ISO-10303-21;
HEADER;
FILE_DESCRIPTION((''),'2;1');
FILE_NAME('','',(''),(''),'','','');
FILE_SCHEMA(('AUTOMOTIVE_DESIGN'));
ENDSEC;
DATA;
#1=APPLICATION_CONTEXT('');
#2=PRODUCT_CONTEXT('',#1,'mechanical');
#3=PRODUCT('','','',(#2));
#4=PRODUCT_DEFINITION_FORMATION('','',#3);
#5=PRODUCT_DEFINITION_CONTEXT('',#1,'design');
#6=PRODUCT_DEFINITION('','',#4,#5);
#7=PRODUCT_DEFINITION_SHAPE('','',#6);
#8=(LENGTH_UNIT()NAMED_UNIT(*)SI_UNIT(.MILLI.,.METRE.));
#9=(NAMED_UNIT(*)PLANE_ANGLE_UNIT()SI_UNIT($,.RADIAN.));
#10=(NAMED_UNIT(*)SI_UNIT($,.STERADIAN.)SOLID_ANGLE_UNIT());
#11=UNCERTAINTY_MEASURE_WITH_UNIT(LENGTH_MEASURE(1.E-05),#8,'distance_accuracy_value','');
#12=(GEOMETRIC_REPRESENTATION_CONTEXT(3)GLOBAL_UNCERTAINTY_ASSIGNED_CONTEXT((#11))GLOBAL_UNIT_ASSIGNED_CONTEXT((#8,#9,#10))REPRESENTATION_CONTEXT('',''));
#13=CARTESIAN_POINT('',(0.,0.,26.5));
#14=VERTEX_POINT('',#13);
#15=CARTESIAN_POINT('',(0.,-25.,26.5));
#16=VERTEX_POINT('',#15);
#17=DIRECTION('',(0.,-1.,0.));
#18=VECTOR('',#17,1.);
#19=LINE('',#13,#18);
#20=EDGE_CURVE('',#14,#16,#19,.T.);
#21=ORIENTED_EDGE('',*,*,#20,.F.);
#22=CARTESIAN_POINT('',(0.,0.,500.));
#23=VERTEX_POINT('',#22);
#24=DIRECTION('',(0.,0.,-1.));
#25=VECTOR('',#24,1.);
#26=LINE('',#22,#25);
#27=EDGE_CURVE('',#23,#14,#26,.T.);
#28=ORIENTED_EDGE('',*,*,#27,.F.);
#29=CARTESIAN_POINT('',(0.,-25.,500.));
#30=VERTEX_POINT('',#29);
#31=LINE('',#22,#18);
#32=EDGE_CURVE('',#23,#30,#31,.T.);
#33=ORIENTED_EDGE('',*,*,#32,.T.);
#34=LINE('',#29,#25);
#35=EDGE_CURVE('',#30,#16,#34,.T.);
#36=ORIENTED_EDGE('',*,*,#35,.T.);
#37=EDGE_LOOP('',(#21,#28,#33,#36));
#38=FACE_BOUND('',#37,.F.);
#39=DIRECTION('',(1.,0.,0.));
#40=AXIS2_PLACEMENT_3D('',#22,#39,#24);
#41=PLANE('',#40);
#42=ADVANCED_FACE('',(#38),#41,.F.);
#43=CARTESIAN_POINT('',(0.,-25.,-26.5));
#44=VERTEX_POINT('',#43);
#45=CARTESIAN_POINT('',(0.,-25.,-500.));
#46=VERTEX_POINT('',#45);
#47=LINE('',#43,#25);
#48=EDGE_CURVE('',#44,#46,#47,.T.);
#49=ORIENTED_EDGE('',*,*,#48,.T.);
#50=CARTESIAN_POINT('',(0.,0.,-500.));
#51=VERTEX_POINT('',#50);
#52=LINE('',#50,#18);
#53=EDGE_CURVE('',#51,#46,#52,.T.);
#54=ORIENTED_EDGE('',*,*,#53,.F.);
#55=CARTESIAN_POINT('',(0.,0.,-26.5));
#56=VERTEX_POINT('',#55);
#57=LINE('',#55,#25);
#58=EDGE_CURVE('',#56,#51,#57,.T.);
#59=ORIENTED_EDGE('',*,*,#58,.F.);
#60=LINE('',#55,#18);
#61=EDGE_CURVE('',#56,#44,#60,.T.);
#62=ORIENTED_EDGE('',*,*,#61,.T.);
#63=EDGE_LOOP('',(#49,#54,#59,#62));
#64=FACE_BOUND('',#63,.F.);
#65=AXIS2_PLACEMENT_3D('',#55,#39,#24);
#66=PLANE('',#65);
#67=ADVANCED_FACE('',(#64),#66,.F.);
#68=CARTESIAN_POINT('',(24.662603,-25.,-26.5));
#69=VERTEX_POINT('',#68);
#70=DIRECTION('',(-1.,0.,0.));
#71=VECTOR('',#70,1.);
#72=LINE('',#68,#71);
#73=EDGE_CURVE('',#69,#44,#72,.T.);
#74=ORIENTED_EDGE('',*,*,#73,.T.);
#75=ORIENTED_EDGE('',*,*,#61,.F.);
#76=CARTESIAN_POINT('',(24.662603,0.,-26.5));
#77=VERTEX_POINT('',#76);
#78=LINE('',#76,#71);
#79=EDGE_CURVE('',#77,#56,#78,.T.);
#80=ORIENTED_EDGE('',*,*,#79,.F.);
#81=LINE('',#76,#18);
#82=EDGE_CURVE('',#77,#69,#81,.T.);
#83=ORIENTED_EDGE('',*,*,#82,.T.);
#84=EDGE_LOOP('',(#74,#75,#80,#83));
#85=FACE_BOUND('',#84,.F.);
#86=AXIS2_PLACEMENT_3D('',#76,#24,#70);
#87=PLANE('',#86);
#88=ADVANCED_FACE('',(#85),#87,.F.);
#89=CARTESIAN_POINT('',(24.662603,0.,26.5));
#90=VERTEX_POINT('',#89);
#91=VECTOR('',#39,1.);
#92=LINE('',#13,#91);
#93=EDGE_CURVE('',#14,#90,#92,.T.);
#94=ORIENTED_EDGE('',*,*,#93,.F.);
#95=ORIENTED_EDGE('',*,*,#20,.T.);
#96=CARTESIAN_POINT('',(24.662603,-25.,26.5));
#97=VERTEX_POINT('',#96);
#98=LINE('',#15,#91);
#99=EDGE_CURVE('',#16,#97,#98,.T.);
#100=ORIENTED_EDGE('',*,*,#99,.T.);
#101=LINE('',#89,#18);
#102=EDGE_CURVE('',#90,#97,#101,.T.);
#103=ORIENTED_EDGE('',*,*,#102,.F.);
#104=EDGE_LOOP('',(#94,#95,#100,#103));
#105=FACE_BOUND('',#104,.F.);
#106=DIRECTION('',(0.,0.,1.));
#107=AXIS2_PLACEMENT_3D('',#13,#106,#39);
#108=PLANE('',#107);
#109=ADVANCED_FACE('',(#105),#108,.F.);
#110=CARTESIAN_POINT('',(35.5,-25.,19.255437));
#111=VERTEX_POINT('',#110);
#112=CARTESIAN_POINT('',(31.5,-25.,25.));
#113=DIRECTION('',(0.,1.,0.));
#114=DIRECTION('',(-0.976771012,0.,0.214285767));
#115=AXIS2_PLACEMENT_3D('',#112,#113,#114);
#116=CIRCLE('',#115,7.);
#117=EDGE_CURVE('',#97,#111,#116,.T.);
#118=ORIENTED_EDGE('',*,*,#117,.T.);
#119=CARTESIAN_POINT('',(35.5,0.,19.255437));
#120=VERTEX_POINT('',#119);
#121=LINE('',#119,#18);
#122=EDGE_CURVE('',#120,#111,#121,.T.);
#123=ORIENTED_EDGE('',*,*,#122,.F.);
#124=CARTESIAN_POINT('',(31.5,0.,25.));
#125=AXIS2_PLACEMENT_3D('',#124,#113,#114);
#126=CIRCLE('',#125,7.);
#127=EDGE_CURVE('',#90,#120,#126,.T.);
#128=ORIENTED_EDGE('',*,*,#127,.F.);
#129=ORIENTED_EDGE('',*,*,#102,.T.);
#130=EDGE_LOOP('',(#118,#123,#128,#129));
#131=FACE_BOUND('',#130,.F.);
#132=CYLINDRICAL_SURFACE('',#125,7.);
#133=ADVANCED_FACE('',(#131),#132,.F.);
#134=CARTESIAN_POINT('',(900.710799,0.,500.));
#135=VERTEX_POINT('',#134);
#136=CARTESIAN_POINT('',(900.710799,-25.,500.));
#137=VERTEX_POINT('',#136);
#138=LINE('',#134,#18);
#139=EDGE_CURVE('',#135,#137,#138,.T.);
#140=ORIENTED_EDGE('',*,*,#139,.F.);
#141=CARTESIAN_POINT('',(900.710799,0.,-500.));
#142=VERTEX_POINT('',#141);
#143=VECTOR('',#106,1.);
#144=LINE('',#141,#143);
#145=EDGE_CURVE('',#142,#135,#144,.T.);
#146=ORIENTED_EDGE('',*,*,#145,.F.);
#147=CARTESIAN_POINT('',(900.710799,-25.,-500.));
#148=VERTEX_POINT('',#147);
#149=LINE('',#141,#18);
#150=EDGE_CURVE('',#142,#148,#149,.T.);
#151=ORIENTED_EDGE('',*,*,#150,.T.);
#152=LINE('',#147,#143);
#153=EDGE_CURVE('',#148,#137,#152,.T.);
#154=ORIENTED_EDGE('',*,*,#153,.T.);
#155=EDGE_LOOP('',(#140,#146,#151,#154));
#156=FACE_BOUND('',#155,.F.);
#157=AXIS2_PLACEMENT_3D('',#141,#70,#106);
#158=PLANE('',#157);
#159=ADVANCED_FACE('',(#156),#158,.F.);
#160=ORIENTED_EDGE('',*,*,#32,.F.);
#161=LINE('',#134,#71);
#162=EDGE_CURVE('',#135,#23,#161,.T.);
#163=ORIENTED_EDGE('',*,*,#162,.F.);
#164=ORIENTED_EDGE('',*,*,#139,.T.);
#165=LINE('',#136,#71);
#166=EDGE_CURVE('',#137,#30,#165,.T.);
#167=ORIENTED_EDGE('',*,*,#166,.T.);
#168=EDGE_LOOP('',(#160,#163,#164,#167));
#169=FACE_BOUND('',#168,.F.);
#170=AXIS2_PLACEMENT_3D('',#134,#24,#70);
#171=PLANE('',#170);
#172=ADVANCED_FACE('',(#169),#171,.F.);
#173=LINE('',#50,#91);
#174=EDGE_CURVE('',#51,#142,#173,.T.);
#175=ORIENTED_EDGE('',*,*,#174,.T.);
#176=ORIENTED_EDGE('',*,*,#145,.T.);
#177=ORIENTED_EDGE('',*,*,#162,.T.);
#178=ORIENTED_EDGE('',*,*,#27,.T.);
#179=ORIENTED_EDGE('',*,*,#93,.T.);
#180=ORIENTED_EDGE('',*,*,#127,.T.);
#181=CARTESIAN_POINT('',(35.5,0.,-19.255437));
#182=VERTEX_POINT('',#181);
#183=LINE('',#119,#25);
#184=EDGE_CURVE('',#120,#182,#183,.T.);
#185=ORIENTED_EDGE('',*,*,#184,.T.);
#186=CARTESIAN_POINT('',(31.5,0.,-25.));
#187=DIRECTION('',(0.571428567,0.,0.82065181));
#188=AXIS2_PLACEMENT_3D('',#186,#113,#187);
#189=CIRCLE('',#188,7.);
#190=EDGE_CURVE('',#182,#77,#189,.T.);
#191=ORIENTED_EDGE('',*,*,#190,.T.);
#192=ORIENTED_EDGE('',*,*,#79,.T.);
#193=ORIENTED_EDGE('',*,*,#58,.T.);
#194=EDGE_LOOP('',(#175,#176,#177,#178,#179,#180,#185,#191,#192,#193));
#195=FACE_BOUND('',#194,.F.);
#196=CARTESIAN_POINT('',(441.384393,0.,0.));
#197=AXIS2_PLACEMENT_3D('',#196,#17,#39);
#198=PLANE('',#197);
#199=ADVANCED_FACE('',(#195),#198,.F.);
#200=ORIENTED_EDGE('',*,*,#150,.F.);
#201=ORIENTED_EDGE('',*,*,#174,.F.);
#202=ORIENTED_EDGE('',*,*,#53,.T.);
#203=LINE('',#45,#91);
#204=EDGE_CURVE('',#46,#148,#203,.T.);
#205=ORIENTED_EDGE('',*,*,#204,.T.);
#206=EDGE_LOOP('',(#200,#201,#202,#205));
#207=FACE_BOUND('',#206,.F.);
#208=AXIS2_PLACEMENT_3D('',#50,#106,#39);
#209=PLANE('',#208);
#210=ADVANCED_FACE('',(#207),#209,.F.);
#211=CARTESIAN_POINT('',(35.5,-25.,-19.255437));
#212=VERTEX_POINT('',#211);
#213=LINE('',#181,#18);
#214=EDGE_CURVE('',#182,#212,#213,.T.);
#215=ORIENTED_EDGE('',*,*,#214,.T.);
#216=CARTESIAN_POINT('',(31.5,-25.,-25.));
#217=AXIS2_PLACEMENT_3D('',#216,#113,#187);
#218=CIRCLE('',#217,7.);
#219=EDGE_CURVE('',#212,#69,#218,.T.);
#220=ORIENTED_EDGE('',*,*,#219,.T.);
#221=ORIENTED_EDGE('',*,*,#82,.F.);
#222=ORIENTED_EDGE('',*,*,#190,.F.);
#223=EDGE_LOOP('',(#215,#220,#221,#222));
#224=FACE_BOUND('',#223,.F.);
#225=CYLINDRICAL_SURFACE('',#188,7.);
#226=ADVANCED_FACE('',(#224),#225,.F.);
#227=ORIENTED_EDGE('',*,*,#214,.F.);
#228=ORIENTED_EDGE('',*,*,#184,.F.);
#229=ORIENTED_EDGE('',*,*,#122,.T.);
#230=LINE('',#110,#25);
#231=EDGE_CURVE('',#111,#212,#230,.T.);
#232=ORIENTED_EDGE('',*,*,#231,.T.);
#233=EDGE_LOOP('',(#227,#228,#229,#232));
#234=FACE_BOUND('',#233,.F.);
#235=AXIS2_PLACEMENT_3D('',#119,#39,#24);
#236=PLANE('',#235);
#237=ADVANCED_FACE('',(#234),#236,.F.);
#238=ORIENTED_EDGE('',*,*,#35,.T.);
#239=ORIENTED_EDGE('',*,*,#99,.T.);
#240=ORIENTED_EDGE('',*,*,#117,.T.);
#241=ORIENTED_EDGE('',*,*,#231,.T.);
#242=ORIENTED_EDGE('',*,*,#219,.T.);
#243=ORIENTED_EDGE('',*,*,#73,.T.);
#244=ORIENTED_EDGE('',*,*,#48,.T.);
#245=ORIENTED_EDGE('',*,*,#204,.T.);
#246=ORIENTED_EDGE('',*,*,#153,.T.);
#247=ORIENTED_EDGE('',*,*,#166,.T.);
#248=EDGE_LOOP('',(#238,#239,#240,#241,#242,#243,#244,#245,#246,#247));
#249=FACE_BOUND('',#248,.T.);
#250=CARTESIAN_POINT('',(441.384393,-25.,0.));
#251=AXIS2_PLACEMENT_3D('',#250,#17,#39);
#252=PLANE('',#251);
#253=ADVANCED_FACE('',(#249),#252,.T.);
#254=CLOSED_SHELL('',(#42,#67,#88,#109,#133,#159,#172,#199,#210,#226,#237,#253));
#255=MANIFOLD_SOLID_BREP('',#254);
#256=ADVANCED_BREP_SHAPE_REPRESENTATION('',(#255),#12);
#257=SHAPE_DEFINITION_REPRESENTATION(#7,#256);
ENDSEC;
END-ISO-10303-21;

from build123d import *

# Parameters (mm, degrees)
F1_DEPTH = 25


with BuildPart() as f1:
    # F0 (on Front) → F1 (new body)
    with BuildSketch(Plane.XZ):
        with BuildLine():
            Line((900.710799, 500), (0, 500))
            Line((0, 500), (0, 26.5))
            Line((0, 26.5), (24.662603, 26.5))
            ThreePointArc((24.662603, 26.5), (35.390196, 30.819482), (35.5, 19.255437))
            Line((35.5, 19.255437), (35.5, -19.255437))
            ThreePointArc((35.5, -19.255437), (35.390196, -30.819482), (24.662603, -26.5))
            Line((24.662603, -26.5), (0, -26.5))
            Line((0, -26.5), (0, -500))
            Line((0, -500), (900.710799, -500))
            Line((900.710799, -500), (900.710799, 500))
        make_face()
    extrude(amount=F1_DEPTH)


solid = f1.part
